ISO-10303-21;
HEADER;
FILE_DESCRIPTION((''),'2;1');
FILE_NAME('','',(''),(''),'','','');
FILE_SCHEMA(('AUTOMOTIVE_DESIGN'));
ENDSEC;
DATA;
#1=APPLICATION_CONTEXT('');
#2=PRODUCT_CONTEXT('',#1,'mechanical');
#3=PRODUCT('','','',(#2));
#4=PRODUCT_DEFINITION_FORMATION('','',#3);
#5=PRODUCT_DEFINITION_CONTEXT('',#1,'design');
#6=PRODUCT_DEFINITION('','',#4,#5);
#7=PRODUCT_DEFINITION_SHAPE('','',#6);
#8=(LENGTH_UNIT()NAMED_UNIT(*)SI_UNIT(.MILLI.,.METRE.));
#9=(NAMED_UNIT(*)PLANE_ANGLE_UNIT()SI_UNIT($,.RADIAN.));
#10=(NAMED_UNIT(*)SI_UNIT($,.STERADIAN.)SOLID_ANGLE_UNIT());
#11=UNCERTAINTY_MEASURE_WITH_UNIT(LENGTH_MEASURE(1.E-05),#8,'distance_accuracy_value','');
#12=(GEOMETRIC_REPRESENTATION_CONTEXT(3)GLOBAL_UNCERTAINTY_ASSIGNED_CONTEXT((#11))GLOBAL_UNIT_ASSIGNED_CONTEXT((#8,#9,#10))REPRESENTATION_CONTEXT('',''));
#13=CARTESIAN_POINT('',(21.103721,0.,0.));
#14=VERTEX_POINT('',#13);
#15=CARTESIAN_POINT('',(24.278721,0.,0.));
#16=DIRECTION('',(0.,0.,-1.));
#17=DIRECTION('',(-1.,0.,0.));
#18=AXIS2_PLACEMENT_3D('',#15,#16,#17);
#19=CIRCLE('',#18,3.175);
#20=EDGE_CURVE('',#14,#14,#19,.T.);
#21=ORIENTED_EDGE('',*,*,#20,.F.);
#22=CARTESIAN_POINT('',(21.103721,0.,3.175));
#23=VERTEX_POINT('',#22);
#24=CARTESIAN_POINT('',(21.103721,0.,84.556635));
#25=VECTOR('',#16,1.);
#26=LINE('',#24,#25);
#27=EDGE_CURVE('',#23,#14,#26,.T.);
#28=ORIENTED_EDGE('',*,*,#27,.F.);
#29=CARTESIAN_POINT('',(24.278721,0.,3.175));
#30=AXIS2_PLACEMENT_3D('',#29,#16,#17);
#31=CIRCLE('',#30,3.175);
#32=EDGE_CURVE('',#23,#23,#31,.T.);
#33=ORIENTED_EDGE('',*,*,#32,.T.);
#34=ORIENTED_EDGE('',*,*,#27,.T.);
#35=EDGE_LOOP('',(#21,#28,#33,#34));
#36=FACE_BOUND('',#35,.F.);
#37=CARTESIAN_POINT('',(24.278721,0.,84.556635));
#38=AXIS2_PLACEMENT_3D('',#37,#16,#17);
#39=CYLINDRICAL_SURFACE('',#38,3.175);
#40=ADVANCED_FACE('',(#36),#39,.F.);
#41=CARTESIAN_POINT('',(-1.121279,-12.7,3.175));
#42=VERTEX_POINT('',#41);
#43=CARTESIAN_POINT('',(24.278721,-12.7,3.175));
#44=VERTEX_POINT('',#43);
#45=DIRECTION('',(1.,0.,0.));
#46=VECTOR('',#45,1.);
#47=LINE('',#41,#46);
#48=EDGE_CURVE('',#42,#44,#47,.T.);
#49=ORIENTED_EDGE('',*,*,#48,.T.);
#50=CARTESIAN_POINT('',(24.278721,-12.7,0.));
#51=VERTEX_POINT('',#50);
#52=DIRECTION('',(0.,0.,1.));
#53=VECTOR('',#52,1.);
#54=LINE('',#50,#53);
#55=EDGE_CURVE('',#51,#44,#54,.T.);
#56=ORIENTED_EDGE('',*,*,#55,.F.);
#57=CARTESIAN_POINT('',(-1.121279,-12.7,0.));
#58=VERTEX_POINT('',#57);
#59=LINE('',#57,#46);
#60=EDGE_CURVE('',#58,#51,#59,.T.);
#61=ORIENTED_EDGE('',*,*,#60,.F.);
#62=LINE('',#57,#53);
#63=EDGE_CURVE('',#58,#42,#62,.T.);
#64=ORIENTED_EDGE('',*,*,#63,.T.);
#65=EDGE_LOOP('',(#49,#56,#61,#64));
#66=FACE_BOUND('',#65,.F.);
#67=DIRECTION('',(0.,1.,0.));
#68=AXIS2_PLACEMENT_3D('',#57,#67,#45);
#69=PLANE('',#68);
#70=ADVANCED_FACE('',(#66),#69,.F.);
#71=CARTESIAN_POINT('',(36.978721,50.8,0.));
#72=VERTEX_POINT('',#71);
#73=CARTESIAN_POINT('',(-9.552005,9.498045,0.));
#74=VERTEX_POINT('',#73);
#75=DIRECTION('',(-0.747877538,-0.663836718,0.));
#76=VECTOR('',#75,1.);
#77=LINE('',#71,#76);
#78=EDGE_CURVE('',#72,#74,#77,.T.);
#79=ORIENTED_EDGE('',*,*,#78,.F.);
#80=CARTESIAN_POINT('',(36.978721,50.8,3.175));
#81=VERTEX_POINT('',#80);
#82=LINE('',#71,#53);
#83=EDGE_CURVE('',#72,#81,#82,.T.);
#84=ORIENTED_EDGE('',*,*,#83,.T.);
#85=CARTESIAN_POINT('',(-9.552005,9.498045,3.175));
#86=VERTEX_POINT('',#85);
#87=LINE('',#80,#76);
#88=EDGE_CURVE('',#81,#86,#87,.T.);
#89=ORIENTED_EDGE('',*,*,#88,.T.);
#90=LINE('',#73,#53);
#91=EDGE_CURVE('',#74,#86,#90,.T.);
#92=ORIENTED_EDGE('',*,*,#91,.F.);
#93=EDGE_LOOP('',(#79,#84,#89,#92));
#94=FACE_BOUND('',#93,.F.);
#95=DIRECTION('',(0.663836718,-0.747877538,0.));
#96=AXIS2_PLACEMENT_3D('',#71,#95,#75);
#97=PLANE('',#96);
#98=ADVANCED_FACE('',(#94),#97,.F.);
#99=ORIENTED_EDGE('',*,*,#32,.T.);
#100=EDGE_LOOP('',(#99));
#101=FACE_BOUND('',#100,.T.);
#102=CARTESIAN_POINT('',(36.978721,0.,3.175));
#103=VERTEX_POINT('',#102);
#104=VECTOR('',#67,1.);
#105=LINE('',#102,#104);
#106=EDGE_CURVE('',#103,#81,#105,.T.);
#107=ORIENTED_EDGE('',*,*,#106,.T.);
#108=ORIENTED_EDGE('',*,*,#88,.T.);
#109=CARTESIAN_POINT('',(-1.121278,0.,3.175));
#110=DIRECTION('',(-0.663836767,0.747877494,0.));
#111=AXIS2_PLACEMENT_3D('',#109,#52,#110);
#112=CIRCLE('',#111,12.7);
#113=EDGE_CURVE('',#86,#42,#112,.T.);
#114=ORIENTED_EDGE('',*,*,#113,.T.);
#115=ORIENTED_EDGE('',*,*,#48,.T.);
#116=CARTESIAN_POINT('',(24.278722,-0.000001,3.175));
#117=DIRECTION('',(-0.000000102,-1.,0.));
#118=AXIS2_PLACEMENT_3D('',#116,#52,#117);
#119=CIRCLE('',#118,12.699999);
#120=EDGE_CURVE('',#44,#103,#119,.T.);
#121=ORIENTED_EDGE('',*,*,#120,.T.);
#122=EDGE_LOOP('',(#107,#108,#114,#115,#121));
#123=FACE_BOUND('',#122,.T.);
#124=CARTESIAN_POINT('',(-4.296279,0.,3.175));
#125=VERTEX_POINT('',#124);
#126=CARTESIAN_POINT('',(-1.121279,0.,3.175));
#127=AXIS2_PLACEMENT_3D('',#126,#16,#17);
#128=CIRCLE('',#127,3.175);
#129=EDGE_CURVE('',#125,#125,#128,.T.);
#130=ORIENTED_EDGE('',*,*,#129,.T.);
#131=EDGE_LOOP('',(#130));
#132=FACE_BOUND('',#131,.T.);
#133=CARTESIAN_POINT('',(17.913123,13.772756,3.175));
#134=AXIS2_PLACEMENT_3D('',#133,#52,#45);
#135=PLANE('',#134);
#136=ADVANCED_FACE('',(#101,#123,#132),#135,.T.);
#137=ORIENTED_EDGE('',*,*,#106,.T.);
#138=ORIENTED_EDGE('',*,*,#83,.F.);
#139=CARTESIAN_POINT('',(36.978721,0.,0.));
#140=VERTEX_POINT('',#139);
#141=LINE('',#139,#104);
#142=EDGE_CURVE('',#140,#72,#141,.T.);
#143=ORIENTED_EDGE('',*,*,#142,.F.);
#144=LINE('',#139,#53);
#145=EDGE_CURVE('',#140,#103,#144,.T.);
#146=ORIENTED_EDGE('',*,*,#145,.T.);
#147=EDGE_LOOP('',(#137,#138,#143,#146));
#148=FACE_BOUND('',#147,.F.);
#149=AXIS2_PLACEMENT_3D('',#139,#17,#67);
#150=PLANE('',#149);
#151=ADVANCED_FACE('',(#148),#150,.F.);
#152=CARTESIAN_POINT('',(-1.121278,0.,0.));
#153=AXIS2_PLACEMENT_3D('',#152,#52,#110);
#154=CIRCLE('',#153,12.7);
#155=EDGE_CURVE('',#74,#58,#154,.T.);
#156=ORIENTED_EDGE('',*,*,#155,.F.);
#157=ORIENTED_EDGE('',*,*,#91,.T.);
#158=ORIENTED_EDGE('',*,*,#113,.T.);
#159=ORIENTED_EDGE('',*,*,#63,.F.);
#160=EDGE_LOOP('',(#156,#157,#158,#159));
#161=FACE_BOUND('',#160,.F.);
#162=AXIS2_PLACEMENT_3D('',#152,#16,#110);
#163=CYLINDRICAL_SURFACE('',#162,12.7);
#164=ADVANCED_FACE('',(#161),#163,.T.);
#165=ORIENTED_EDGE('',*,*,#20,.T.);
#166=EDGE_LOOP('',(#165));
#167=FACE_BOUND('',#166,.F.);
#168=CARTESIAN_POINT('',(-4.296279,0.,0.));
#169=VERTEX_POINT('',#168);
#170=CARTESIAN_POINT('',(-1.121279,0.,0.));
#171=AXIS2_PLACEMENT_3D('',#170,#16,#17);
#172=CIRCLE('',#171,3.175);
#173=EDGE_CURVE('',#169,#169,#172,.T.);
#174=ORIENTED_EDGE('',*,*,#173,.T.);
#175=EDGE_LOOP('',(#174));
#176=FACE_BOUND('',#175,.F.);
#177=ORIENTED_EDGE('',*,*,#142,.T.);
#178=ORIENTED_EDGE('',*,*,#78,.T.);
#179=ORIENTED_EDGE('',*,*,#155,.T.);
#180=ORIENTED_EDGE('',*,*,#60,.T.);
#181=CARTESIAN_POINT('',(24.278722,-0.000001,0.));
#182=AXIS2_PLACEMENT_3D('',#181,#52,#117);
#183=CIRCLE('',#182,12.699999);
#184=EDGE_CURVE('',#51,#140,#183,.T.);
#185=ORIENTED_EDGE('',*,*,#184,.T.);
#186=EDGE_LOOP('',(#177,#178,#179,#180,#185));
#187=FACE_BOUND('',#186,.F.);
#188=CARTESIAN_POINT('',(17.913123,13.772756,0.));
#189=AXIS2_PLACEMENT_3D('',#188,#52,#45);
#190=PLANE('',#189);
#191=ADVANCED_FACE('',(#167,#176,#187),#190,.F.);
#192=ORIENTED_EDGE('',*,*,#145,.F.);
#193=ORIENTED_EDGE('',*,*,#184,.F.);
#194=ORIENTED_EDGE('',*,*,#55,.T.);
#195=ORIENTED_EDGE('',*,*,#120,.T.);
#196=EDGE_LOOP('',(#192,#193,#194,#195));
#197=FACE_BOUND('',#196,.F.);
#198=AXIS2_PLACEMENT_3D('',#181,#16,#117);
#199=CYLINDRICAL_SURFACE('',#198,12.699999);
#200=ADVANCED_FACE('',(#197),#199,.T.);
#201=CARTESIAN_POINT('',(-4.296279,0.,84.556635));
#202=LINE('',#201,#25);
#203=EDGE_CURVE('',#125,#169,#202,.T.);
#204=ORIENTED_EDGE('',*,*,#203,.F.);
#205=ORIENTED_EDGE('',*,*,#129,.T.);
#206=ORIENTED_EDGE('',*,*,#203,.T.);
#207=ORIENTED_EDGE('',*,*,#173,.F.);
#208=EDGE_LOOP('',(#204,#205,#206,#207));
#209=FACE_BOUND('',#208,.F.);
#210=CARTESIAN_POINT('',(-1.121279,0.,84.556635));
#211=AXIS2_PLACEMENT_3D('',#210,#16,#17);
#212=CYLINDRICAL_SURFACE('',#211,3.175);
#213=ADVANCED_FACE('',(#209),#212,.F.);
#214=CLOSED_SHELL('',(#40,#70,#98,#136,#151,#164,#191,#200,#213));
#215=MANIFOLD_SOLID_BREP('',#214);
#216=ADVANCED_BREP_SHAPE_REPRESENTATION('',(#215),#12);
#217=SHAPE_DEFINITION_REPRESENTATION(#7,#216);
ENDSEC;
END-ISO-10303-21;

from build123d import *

# Parameters (mm, degrees)
F1_DEPTH = 3.175
F3_D     = 6.35


with BuildPart() as f1:
    # F0 (on Top) → F1 (new body)
    with BuildSketch(Plane.XY):
        with BuildLine():
            ThreePointArc((-9.552005, 9.498045), (-12.993834, -4.509148), (-1.121279, -12.7))
            Line((-1.121279, -12.7), (24.278721, -12.7))
            ThreePointArc((24.278721, -12.7), (33.258978, -8.980256), (36.978721, 0))
            Line((36.978721, 0), (36.978721, 50.8))
            Line((36.978721, 50.8), (-9.552005, 9.498045))
        make_face()
    extrude(amount=F1_DEPTH)

    # F3 (through all)
    with Locations(Plane.XY.offset(3.175)):
        with Locations((24.278721, 0), (-1.121279, 0)):
            Hole(F3_D / 2)


solid = f1.part
